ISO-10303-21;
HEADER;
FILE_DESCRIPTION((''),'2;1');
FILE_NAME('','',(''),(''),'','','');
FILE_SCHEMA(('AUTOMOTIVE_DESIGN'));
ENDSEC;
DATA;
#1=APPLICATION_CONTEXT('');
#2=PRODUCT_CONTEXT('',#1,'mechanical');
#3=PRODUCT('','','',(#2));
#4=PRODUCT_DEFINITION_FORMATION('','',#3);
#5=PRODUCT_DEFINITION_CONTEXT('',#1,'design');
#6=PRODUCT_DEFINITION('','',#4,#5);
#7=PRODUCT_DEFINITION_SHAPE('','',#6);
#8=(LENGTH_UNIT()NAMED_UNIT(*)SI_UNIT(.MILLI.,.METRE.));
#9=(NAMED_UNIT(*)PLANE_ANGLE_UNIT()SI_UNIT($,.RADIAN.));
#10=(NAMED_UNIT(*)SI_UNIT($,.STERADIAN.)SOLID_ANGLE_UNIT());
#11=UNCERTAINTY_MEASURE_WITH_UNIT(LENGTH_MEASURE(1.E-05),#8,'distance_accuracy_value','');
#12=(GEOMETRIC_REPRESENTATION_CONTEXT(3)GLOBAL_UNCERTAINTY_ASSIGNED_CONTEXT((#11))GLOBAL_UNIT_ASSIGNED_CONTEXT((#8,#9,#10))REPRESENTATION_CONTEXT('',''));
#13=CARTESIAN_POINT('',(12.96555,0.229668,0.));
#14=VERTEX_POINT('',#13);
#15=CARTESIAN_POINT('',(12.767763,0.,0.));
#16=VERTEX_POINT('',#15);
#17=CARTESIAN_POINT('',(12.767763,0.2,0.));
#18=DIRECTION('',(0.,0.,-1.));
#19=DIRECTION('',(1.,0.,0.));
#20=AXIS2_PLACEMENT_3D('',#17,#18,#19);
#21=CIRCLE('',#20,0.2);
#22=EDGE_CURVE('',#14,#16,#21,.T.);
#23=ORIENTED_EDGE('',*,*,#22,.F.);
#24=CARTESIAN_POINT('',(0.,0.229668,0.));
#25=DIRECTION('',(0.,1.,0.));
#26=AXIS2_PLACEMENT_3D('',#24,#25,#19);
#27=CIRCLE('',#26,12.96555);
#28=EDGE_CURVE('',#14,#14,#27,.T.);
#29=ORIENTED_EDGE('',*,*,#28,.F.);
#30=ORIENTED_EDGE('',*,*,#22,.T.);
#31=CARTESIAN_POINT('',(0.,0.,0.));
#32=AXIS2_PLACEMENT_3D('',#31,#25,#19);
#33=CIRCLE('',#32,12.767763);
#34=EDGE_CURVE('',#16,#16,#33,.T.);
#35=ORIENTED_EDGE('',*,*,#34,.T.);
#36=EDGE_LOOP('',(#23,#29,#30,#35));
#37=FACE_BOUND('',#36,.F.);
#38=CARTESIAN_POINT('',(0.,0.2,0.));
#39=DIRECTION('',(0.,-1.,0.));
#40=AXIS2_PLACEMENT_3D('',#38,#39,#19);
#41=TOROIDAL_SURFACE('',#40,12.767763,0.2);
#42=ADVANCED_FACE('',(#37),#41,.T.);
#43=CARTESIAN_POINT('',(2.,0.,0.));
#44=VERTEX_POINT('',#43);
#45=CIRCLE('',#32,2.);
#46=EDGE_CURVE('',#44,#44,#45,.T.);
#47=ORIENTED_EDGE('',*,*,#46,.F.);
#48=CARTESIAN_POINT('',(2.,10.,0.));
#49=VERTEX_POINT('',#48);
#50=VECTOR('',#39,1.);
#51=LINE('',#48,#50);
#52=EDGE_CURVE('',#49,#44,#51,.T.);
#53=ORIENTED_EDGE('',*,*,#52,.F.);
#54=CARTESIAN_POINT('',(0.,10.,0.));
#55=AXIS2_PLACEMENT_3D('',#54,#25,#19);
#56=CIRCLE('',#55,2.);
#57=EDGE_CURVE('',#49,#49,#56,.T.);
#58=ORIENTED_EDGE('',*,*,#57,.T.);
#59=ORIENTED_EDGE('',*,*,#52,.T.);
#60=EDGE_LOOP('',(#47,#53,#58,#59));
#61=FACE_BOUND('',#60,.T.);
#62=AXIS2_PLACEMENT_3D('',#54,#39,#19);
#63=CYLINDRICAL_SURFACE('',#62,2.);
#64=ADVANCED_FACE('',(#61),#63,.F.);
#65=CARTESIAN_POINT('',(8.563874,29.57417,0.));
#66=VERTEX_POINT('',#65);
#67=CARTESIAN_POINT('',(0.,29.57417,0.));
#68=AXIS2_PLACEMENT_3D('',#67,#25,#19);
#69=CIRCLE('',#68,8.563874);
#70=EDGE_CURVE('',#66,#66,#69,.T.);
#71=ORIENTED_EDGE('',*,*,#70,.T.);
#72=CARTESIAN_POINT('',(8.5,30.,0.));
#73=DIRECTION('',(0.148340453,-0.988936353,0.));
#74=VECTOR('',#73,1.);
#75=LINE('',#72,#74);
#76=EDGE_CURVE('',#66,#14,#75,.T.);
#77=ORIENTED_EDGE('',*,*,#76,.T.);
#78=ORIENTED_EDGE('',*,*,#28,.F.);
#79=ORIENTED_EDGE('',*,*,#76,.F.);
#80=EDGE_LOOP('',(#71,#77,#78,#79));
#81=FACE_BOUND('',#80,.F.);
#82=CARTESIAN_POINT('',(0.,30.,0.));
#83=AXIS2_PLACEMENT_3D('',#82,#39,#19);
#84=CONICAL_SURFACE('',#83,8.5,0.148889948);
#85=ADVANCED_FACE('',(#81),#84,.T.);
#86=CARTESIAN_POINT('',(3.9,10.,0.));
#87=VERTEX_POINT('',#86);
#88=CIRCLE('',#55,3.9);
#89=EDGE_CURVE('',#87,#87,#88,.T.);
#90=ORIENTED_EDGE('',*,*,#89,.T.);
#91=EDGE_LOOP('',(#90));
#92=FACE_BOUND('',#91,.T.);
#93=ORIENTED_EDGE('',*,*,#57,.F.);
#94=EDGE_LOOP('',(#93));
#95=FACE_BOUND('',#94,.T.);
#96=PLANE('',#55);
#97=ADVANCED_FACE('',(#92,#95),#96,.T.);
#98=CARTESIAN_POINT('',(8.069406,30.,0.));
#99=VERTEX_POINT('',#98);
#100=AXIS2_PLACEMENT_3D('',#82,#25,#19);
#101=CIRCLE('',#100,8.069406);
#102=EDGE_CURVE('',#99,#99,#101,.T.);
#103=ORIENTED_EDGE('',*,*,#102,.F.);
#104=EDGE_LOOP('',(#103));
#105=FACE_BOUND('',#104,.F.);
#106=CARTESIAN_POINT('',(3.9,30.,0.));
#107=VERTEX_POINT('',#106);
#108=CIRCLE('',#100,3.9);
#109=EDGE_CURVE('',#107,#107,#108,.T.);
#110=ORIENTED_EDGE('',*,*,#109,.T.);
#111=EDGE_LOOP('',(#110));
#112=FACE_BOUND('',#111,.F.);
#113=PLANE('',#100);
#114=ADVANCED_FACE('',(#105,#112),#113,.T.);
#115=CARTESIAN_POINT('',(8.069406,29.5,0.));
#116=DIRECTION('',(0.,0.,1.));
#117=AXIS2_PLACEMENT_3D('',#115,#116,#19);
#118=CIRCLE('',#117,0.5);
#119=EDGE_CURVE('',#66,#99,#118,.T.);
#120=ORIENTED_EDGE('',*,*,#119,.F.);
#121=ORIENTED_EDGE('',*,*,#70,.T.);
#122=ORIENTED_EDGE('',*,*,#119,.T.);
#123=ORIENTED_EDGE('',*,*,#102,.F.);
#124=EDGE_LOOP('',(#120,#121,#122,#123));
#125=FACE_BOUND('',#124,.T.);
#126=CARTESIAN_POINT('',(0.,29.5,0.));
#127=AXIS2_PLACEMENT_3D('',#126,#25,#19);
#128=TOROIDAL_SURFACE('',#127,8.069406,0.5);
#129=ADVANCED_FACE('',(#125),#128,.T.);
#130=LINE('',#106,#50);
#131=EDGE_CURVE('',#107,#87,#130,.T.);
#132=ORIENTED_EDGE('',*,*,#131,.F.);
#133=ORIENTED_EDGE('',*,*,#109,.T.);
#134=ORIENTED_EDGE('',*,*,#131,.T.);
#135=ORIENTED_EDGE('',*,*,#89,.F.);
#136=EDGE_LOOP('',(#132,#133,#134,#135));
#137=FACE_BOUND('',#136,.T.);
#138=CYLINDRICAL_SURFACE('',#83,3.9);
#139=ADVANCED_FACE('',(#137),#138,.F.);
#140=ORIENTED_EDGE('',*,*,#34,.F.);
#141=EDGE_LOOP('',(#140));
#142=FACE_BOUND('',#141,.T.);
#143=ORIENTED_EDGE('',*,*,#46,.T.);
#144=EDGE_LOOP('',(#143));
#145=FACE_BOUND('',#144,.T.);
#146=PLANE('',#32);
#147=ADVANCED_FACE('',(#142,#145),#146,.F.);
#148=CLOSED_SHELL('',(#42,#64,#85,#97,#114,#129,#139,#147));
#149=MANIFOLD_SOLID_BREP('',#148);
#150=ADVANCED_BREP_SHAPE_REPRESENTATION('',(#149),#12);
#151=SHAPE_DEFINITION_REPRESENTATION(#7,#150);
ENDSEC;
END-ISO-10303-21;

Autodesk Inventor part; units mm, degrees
ref_plane "YZ Plane" through (0, 0, 0) normal (1, 0, 0) x (0, 1, 0)
ref_plane "XZ Plane" through (0, 0, 0) normal (0, 1, 0) x (-1, 0, 0)
ref_plane "XY Plane" through (0, 0, 0) normal (0, 0, 1) x (1, 0, 0)
sketch "Эскиз1" plane through (0, 0, 0) normal (0, 0, 1) x (1, 0, 0)
  line L0 (0, 0) -> (0, 30)
  line L1 (3.9, 30) -> (8.5, 30)
  line L2 (8.5, 30) -> (13, 0)
  line L3 (0, 0) -> (13, 0)
  line L4 (3.9, 30) -> (3.9, 10)
  line L5 (3.9, 10) -> (2, 10)
  line L6 (2, 10) -> (2, 0)
  dimension "d0" = 30
  dimension "d1" = 4
  dimension "d2" = 7.8
  dimension "d3" = 17
  dimension "d4" = 26
  dimension "d8" = 10
revolve "Вращение1" add sketch "Эскиз1" angle 360 about axis through (0, 0, 0) along (0, 1, 0)
fillet "Сопряжение1" radius 0.2 1 edges at (-13, 0, 0)
fillet "Сопряжение2" radius 0.5 1 edges at (-8.5, 30, 0)
properties part number "ножки"
